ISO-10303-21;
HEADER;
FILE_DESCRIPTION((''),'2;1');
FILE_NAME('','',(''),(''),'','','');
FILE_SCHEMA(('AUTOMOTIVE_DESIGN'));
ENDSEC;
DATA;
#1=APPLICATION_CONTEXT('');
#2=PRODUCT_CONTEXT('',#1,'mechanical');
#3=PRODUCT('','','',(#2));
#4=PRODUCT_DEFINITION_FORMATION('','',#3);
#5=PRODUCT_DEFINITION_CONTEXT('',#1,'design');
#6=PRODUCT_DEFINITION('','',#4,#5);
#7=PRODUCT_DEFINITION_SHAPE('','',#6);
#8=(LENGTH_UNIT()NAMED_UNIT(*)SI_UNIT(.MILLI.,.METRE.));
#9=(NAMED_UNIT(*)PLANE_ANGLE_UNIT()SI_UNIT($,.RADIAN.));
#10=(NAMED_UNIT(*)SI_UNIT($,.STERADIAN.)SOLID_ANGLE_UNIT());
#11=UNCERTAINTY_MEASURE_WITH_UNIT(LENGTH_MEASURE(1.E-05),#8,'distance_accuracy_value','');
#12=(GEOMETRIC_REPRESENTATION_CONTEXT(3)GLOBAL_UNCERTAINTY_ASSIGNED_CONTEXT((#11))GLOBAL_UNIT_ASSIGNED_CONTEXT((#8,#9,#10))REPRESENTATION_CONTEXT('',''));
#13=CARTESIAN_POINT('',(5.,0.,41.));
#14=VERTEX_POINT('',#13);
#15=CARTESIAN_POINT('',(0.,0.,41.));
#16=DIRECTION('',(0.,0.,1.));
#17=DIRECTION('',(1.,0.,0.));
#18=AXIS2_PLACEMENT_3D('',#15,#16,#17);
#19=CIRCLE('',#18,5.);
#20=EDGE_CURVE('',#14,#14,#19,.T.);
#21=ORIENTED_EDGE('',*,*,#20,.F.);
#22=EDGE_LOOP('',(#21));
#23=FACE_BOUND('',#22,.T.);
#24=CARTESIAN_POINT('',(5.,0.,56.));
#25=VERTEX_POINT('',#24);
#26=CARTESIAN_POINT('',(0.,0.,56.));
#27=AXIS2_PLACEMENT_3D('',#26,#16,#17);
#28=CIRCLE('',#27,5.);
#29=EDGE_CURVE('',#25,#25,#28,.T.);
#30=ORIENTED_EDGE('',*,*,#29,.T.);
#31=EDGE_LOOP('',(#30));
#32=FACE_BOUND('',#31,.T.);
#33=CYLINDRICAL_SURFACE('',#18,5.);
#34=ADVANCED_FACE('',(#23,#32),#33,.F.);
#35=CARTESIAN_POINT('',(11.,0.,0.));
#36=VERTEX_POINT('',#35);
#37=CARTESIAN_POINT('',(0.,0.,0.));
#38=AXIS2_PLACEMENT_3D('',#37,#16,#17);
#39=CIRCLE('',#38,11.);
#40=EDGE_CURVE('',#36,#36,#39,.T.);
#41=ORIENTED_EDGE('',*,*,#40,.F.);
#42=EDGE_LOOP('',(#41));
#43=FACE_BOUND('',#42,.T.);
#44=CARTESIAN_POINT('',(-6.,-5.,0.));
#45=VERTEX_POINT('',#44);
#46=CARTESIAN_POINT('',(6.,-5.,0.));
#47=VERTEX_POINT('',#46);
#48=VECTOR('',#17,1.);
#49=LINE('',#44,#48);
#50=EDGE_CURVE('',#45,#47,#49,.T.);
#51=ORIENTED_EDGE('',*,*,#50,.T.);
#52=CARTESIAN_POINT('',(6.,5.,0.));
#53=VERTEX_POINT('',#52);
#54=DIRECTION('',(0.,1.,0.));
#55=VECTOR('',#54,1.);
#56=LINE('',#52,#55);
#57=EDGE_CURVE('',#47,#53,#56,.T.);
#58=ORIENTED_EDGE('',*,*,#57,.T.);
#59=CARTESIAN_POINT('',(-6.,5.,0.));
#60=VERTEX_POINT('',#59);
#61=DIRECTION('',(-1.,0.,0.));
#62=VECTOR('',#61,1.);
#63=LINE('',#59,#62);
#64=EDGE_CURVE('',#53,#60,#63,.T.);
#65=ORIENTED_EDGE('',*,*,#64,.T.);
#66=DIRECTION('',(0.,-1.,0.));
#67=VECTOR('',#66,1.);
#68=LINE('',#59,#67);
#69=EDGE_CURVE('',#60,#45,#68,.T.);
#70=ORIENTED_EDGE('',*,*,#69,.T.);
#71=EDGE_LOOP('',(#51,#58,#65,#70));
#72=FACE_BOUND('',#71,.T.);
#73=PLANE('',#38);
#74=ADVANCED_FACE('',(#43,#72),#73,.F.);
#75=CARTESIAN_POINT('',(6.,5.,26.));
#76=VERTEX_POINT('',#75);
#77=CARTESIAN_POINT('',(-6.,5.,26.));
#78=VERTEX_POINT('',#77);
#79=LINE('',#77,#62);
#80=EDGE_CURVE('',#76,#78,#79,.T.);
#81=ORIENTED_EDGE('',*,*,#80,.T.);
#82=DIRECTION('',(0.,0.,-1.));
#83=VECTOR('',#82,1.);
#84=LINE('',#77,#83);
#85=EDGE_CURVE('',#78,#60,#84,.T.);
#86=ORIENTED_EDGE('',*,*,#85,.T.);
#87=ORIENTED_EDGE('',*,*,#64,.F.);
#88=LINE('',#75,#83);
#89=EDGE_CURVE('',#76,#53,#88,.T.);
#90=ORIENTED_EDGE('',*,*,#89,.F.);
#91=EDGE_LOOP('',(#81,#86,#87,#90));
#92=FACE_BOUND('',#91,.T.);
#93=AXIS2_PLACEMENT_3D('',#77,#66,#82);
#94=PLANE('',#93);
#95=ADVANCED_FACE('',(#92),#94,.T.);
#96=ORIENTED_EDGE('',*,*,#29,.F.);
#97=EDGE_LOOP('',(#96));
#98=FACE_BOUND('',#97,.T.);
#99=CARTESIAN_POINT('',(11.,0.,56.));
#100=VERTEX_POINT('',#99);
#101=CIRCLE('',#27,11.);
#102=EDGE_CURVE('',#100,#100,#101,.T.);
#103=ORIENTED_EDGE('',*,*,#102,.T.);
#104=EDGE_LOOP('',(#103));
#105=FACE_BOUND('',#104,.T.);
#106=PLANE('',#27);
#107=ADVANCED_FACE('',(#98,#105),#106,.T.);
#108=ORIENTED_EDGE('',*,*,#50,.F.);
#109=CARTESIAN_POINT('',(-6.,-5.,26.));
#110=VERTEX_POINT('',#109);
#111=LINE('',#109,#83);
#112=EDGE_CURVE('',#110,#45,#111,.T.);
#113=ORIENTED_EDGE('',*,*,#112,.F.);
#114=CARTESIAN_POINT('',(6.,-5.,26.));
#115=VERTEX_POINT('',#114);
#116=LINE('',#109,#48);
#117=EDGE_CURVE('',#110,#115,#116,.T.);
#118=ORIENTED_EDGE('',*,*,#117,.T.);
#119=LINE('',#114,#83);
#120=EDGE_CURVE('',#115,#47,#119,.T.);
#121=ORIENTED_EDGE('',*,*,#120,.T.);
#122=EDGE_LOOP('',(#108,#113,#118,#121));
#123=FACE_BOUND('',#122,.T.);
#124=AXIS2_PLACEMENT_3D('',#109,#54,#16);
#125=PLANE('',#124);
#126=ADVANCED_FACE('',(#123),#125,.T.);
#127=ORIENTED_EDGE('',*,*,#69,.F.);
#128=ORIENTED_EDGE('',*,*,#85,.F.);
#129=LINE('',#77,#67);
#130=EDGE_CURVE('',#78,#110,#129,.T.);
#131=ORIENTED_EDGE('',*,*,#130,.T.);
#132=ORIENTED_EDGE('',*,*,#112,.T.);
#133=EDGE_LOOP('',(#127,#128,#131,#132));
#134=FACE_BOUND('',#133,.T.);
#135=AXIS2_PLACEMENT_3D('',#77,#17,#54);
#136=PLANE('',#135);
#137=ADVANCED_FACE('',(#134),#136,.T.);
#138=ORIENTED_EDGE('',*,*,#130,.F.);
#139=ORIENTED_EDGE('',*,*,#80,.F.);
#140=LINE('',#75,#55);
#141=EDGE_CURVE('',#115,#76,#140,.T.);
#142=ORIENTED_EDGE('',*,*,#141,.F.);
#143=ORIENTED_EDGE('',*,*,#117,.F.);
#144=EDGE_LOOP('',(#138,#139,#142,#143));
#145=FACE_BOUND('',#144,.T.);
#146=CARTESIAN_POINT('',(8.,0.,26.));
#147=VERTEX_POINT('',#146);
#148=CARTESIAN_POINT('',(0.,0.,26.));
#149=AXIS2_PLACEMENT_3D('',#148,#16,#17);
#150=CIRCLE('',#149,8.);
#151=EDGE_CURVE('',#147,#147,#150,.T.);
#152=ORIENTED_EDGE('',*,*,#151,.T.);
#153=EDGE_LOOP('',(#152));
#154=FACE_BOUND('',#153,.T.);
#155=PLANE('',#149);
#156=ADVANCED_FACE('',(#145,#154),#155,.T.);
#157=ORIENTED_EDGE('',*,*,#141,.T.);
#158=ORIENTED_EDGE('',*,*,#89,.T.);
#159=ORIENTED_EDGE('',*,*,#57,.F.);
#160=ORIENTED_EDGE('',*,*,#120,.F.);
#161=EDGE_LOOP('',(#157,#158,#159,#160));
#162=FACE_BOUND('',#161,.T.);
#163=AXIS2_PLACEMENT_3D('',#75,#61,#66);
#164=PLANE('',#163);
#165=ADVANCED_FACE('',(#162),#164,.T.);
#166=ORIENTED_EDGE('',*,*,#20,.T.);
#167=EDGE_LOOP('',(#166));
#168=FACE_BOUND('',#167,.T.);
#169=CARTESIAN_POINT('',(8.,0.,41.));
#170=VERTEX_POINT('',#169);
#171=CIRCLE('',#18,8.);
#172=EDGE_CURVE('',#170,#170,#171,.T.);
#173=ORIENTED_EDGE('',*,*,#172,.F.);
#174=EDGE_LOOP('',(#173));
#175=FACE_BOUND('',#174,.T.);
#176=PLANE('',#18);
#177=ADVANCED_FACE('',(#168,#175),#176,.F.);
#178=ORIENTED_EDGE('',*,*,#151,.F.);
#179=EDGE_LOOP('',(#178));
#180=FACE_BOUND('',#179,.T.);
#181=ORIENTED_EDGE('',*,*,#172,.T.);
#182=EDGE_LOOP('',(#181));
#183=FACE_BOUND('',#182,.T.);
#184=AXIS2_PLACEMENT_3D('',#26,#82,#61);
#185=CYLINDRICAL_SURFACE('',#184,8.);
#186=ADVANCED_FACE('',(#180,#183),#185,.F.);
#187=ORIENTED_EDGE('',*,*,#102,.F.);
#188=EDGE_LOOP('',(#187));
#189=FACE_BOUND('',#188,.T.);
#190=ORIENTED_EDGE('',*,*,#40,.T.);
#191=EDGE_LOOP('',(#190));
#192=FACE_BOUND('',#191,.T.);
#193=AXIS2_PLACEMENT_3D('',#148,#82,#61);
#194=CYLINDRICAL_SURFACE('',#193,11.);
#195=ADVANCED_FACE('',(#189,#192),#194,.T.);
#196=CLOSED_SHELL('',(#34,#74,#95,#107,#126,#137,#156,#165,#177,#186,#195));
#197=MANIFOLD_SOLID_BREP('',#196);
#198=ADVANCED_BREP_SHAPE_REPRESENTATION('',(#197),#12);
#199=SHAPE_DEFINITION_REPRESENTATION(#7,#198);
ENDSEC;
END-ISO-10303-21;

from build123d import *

# Parameters (mm, degrees)
CROQUIS1_R              = 11
CROQUIS1_W              = 12
CROQUIS1_H              = 10
SALIENTE_EXTRUIR1_DEPTH = 26
CROQUIS3_R              = 11
CROQUIS3_R_2            = 8
SALIENTE_EXTRUIR2_DEPTH = 30
CROQUIS5_R              = 11
CROQUIS5_R_2            = 5
SALIENTE_EXTRUIR3_DEPTH = 15


with BuildPart() as part:
    # Croquis1 → Saliente-Extruir1 (new body)
    with BuildSketch(Plane.XY):
        Circle(CROQUIS1_R)
        Rectangle(CROQUIS1_W, CROQUIS1_H, mode=Mode.SUBTRACT)
    extrude(amount=SALIENTE_EXTRUIR1_DEPTH)

    # Croquis3 → Saliente-Extruir2 (add)
    with BuildSketch(Plane.XY.offset(26)):
        Circle(CROQUIS3_R)
        Circle(CROQUIS3_R_2, mode=Mode.SUBTRACT)
    extrude(amount=SALIENTE_EXTRUIR2_DEPTH)

    # Croquis5 → Saliente-Extruir3 (add)
    with BuildSketch(Plane.XY.offset(56)):
        Circle(CROQUIS5_R)
        Circle(CROQUIS5_R_2, mode=Mode.SUBTRACT)
    extrude(amount=-SALIENTE_EXTRUIR3_DEPTH)


solid = part.part
